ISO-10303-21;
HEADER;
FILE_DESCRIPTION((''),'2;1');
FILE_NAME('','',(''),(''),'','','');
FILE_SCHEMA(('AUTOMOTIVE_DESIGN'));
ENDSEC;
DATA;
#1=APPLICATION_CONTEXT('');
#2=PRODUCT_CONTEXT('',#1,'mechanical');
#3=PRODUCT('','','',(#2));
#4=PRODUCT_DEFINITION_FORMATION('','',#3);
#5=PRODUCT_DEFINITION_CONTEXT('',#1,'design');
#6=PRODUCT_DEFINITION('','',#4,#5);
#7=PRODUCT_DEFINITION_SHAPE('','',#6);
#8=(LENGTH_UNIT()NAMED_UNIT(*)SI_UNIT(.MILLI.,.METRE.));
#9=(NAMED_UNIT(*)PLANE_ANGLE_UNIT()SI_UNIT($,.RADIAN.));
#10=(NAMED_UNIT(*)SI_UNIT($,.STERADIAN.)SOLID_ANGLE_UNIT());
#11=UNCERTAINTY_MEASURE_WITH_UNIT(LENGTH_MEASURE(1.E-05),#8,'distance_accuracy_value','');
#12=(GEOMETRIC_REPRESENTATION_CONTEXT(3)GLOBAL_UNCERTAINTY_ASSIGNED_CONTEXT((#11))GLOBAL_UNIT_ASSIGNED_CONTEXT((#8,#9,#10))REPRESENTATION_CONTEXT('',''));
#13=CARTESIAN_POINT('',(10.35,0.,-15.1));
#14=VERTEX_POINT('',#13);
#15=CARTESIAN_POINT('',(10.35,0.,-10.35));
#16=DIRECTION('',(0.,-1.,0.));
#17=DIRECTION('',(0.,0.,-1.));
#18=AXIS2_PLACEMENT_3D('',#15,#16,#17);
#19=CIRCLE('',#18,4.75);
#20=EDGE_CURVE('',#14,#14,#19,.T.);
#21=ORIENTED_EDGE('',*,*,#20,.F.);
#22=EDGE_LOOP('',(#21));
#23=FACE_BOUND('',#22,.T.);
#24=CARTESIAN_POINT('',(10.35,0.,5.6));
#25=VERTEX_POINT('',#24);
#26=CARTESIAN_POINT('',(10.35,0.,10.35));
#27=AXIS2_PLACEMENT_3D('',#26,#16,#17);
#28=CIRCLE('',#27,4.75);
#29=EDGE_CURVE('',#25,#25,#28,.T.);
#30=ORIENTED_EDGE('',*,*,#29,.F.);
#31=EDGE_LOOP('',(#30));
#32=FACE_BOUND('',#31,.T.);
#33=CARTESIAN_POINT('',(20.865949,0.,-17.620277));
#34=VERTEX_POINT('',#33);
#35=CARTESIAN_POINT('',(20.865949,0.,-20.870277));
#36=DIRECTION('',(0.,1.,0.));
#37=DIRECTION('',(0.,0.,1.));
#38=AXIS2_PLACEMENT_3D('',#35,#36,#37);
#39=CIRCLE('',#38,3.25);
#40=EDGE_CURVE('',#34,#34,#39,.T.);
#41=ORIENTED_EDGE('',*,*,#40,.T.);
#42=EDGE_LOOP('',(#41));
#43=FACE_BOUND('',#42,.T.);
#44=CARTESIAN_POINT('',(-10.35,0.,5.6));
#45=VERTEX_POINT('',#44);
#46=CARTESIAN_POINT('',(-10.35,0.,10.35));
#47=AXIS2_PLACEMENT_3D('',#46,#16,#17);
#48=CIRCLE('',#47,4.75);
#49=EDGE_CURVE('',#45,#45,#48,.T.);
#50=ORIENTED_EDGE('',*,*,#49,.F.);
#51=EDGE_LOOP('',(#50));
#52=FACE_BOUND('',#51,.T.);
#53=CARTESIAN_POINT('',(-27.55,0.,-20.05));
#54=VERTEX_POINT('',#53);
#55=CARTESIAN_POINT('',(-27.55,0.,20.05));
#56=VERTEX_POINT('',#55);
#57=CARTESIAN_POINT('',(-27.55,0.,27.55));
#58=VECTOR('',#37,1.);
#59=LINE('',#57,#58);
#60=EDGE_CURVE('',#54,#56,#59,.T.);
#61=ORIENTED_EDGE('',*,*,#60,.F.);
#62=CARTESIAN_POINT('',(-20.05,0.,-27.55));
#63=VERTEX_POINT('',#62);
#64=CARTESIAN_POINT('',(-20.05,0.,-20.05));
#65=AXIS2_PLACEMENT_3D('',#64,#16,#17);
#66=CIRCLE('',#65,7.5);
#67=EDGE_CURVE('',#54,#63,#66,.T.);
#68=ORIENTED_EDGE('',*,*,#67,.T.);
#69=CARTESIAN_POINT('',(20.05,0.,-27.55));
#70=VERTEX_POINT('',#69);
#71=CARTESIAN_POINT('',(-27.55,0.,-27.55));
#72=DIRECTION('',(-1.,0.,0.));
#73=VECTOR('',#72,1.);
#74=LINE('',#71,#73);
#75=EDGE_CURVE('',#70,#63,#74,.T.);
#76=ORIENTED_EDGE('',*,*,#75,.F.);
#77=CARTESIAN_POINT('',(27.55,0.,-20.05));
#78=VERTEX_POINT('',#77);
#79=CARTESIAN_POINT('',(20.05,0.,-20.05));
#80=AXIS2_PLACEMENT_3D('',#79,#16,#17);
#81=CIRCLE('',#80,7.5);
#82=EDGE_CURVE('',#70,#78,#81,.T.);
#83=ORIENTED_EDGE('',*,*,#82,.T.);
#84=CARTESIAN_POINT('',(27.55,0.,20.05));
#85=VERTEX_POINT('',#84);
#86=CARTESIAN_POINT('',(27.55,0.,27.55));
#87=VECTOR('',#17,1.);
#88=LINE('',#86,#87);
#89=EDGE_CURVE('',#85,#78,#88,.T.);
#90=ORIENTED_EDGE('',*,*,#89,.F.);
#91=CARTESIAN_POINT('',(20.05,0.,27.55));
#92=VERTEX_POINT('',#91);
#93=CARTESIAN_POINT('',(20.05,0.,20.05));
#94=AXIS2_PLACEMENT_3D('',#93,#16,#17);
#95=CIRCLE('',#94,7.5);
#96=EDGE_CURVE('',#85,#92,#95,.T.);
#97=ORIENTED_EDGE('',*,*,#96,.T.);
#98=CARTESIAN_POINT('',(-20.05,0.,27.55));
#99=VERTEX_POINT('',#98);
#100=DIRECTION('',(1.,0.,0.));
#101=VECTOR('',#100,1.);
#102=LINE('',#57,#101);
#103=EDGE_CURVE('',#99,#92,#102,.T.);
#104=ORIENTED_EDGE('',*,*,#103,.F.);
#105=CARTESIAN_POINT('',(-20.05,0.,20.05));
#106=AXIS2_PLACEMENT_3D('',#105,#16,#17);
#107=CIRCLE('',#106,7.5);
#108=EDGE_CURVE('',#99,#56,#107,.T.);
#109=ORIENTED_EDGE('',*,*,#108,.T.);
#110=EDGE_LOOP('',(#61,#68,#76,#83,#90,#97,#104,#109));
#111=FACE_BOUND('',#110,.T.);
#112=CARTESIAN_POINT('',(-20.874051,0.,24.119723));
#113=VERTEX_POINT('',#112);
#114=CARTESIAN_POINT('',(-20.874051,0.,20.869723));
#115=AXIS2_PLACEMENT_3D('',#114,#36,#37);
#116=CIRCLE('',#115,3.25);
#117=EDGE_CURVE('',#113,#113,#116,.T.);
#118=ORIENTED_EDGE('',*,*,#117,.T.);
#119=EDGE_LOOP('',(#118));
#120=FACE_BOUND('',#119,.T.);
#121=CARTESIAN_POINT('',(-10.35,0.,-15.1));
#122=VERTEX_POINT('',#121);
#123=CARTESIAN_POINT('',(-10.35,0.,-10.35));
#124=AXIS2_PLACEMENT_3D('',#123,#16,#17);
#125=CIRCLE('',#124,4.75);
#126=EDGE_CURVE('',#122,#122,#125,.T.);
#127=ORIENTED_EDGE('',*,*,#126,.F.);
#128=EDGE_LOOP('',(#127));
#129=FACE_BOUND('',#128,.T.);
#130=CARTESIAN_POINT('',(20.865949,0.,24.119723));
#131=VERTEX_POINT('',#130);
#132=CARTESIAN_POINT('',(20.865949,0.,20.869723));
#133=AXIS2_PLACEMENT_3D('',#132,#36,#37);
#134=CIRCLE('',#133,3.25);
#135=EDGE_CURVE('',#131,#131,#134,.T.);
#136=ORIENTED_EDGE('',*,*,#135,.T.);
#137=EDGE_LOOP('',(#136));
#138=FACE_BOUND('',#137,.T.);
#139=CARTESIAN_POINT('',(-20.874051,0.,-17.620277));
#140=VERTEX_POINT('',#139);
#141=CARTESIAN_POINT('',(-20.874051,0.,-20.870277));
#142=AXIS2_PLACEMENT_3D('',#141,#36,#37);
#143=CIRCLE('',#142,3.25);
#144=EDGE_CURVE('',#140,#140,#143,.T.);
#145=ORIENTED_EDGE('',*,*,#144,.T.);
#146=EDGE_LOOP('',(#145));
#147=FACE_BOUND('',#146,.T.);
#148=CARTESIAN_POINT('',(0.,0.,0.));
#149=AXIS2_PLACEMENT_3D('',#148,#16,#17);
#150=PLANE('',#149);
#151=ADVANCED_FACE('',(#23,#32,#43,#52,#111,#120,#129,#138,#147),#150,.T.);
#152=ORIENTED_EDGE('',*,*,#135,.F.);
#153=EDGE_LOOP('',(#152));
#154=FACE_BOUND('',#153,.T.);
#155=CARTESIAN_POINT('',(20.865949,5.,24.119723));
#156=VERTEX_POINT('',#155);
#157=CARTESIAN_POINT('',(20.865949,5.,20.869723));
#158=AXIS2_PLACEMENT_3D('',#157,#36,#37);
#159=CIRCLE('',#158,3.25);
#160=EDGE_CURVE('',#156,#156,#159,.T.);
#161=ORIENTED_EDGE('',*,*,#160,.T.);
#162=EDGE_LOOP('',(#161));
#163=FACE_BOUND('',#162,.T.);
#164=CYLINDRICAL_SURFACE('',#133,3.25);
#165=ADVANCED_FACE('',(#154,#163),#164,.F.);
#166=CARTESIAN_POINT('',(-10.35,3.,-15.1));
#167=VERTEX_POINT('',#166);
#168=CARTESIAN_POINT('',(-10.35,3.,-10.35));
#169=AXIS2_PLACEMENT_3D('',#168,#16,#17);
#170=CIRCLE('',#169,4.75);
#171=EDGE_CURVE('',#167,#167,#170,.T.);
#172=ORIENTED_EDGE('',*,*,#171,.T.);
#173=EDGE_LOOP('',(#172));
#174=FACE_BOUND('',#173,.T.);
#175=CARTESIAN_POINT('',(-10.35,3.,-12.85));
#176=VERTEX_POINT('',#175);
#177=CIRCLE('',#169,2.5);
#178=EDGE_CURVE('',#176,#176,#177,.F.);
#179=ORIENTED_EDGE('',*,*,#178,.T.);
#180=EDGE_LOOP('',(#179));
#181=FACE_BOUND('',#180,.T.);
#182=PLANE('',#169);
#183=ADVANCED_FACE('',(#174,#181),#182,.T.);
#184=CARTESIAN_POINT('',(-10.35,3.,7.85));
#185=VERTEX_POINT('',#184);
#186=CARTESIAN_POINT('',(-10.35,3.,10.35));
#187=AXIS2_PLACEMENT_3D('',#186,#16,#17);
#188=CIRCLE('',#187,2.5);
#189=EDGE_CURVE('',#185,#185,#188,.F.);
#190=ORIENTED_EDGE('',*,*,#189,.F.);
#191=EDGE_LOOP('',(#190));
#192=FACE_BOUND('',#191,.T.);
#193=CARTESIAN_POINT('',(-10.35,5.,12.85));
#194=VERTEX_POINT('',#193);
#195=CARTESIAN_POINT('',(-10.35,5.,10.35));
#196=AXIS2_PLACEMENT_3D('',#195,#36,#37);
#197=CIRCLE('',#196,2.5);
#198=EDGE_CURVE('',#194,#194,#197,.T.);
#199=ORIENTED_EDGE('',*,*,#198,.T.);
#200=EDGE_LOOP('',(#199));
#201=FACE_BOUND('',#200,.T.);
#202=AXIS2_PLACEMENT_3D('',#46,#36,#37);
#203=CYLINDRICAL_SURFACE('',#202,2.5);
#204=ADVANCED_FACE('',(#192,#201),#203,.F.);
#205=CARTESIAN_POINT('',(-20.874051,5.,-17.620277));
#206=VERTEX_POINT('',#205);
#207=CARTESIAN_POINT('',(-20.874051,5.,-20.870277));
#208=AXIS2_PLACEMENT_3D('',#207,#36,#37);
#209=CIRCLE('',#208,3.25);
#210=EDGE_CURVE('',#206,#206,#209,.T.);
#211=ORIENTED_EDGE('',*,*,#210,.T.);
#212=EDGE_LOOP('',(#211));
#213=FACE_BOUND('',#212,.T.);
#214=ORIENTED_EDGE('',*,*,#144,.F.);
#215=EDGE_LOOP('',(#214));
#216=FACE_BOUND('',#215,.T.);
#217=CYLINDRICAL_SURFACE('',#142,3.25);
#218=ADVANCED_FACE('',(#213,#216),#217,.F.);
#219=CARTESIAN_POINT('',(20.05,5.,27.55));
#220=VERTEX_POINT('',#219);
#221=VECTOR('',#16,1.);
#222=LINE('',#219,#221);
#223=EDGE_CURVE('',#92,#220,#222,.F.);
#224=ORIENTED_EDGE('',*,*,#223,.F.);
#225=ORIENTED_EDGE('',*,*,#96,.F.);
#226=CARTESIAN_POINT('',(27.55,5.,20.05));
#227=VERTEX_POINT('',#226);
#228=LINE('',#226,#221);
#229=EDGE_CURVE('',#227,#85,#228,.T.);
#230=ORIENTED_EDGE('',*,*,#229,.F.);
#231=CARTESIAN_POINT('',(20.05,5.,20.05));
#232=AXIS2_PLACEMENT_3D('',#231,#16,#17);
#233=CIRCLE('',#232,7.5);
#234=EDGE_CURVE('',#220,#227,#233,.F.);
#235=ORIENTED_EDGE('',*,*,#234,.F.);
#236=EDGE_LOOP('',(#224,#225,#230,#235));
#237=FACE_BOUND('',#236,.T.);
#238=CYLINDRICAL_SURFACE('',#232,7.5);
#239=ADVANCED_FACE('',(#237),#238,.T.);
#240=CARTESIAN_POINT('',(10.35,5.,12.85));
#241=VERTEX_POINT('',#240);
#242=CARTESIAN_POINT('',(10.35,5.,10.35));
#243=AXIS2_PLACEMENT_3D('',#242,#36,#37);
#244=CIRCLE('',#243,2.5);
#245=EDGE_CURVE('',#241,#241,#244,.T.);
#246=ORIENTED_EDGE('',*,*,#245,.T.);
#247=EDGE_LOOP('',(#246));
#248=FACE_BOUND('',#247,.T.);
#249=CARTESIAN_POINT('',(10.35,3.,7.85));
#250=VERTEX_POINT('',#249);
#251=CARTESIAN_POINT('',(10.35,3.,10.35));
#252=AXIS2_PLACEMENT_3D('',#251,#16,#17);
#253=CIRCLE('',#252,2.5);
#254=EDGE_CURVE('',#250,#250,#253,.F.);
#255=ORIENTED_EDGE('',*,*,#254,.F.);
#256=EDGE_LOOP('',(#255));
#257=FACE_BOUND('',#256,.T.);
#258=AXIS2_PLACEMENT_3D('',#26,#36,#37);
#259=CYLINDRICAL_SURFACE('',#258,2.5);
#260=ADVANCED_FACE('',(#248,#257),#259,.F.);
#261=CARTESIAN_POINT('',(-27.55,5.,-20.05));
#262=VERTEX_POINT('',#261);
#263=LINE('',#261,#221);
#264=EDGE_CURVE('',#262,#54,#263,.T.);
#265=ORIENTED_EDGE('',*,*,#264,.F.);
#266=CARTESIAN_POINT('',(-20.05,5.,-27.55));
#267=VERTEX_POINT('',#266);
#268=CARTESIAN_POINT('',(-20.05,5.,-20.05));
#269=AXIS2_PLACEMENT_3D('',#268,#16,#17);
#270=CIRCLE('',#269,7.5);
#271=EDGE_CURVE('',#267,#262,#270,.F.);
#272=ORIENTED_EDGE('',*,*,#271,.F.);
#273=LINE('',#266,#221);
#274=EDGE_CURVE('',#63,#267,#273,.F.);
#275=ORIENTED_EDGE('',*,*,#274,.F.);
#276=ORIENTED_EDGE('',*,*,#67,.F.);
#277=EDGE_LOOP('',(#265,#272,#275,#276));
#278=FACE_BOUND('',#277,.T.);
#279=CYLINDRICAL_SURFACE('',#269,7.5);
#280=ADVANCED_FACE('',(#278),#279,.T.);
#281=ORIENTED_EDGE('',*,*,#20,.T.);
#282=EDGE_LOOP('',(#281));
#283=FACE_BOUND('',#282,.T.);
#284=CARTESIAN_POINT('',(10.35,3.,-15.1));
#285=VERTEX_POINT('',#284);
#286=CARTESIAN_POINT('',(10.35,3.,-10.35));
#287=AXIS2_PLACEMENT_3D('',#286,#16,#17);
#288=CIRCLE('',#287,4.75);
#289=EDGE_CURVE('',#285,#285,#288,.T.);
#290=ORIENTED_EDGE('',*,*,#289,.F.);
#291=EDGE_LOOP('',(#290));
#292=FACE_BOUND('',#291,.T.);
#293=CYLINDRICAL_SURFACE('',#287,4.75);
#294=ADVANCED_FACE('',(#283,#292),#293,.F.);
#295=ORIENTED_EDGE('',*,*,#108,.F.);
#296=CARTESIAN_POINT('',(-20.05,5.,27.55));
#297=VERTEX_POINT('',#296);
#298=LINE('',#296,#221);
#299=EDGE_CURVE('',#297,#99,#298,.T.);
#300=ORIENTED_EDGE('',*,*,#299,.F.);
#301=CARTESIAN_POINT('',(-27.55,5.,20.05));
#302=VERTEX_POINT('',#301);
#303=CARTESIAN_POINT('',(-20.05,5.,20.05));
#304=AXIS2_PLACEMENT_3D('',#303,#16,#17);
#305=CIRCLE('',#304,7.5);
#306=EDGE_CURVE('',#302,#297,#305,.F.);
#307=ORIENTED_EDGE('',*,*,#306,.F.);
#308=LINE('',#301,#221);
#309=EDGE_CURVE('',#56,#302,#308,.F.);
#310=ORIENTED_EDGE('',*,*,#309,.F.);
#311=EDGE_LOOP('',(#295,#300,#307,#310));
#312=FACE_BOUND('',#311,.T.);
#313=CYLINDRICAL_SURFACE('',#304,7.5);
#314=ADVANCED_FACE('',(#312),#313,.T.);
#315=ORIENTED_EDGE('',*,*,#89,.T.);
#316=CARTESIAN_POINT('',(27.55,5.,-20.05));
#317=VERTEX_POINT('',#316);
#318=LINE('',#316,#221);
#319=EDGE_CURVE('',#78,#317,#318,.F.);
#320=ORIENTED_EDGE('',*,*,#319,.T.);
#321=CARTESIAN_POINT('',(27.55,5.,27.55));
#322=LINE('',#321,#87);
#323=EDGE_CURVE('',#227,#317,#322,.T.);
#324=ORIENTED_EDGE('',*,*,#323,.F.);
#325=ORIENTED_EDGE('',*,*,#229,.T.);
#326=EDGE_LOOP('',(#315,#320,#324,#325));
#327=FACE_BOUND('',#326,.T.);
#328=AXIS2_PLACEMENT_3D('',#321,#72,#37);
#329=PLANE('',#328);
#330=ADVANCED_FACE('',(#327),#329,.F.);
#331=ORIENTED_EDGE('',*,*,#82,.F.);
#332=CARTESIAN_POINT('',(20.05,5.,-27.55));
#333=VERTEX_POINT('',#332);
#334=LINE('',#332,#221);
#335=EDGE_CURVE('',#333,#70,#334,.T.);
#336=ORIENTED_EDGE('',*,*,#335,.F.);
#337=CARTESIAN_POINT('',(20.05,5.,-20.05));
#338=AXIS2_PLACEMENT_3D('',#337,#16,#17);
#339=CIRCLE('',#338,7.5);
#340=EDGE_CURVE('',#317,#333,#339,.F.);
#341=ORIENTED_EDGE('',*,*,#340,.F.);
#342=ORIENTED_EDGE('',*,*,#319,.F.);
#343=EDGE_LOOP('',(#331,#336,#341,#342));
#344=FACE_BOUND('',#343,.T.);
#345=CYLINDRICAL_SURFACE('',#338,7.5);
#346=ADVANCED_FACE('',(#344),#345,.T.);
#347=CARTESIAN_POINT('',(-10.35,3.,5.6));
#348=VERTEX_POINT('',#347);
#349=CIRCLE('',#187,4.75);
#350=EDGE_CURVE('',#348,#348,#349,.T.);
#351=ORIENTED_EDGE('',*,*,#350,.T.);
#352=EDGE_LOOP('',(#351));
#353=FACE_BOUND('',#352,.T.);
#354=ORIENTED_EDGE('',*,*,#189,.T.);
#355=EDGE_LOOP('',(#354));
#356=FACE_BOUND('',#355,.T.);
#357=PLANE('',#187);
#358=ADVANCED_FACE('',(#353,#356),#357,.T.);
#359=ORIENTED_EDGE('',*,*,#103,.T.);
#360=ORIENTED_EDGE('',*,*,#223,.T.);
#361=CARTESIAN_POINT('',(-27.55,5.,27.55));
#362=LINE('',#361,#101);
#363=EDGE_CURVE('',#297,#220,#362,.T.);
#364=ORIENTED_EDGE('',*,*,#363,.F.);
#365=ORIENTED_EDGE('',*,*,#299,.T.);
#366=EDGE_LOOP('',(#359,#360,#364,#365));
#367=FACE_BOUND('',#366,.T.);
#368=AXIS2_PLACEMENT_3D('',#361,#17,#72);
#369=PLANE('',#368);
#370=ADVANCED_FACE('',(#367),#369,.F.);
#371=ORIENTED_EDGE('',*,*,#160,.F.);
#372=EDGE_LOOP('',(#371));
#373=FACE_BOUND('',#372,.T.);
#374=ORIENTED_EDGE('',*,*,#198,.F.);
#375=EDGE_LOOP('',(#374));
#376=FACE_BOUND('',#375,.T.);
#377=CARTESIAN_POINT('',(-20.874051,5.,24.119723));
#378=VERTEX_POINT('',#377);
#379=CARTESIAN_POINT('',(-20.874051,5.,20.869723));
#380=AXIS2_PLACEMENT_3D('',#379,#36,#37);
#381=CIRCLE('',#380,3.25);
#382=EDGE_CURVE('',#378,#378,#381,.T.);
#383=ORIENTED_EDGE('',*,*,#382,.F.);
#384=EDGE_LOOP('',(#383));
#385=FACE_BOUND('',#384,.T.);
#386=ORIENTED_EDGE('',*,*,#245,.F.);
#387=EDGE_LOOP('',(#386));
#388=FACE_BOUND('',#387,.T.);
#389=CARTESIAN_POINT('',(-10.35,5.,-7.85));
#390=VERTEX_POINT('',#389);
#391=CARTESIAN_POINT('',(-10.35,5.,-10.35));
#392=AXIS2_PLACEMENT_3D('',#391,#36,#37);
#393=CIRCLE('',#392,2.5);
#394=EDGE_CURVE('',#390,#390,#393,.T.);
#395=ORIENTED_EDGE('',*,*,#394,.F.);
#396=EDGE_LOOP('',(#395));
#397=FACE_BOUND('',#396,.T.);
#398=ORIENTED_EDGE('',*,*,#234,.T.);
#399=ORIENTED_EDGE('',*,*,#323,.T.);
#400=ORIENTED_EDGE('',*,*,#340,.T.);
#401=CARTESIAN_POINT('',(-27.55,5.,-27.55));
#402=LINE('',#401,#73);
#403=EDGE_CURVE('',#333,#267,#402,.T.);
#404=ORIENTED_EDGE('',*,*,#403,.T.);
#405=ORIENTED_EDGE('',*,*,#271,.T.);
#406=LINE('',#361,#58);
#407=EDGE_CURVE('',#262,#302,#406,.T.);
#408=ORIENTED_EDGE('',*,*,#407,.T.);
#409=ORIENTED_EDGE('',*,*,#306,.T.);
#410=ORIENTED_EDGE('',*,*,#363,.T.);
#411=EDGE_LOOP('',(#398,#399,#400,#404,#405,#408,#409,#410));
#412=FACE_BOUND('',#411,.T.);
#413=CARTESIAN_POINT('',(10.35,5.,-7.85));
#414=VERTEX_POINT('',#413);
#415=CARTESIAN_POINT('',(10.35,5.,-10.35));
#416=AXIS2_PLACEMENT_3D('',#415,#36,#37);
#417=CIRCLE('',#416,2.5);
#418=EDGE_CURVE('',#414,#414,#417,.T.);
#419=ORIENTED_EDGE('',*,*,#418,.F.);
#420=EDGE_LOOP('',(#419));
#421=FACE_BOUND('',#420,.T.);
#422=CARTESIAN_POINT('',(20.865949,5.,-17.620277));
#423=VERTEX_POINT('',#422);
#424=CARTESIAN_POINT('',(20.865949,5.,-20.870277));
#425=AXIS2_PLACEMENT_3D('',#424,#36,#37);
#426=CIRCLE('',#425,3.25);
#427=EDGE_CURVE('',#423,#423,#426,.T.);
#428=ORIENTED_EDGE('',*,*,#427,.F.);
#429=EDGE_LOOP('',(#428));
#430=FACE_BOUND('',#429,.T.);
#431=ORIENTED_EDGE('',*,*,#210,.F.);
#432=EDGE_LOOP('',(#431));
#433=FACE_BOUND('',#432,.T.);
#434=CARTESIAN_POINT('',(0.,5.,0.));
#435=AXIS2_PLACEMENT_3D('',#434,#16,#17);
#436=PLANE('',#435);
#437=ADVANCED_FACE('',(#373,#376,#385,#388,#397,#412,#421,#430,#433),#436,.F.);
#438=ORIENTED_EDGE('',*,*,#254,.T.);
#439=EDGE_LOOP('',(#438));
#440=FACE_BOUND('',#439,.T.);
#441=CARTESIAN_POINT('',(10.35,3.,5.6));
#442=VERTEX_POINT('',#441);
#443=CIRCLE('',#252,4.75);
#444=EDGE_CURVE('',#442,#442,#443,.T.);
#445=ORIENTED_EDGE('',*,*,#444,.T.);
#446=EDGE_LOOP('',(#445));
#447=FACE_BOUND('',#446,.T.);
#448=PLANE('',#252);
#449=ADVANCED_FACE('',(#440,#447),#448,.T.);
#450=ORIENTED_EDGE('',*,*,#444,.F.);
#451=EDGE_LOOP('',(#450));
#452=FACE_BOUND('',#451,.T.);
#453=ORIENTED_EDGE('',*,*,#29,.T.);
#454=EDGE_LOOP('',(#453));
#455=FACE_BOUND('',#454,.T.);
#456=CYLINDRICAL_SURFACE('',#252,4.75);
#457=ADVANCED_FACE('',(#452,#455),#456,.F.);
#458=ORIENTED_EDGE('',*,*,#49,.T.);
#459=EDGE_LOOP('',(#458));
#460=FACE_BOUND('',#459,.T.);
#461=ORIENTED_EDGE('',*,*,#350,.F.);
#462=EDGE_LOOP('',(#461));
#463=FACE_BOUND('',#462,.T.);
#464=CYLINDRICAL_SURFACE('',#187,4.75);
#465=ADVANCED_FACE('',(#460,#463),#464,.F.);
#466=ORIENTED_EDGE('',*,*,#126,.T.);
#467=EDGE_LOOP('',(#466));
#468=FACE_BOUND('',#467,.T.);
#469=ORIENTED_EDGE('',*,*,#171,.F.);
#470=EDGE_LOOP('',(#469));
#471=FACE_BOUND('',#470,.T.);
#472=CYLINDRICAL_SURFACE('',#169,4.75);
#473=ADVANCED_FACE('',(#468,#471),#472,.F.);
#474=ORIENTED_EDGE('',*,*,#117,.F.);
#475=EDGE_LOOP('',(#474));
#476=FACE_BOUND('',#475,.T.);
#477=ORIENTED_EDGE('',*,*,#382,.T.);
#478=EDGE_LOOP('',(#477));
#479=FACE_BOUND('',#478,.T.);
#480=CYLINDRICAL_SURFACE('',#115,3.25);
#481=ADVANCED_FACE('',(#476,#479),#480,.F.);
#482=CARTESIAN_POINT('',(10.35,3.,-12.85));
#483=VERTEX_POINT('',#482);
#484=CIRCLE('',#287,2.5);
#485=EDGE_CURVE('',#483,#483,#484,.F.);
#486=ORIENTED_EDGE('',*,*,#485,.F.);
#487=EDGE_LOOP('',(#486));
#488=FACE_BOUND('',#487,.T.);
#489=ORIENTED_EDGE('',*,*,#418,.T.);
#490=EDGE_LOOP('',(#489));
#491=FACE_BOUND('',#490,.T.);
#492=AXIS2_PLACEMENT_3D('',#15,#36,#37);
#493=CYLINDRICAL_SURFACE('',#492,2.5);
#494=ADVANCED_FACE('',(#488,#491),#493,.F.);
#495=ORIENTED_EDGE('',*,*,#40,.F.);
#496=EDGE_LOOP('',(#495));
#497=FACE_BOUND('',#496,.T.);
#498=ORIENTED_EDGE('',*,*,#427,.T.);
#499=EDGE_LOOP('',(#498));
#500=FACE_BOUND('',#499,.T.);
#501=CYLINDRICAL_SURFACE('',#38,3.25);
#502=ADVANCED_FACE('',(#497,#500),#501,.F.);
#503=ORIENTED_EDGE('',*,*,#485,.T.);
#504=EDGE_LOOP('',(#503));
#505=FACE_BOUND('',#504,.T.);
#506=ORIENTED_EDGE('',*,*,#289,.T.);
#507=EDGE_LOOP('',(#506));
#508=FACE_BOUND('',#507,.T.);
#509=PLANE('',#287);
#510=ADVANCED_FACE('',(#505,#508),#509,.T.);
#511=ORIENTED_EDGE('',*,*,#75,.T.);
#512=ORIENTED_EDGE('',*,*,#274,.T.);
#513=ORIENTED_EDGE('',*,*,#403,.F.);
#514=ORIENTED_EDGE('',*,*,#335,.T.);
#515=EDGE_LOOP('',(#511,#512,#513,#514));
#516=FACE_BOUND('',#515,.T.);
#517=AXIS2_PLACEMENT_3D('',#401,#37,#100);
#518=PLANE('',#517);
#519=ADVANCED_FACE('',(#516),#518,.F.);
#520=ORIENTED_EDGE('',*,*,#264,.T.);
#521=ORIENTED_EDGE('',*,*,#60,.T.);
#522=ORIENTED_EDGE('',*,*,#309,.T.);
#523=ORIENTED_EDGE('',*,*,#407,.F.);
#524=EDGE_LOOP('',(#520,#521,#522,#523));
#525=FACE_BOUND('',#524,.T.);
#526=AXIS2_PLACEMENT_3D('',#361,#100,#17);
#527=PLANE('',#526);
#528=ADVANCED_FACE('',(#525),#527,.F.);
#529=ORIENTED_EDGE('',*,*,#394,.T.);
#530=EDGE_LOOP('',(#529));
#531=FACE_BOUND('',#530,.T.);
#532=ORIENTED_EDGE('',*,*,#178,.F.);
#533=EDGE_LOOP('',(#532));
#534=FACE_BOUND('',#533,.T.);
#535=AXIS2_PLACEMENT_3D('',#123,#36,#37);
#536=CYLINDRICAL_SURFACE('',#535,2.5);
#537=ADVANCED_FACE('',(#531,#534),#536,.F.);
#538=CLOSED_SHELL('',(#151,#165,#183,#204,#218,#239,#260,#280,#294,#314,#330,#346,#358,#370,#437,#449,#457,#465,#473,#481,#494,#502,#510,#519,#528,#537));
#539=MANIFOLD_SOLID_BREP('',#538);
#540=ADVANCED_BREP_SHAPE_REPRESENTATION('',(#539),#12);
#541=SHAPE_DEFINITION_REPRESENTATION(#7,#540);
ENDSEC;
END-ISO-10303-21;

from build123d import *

# Parameters (mm, degrees)
SKETCH1_W           = 55.1
SKETCH1_H           = 55.1
BOSS_EXTRUDE1_DEPTH = 5
FILLET1_R           = 7.5
SKETCH2_R           = 3.25
CUT_EXTRUDE1_DEPTH  = 6
SKETCH3_R           = 2.5
CUT_EXTRUDE2_DEPTH  = 5
SKETCH4_R           = 4.75
CUT_EXTRUDE3_DEPTH  = 3


with BuildPart() as part:
    # Sketch1 → Boss-Extrude1 (new body)
    with BuildSketch(Plane(origin=(0, 0, 0), x_dir=(1, 0, 0), z_dir=(0, 1, 0))):
        Rectangle(SKETCH1_W, SKETCH1_H)
    extrude(amount=BOSS_EXTRUDE1_DEPTH)

    # Fillet1
    fillet1_edges = [part.edges().sort_by_distance(p)[0] for p in [
        (27.55, 2.5, 27.55),
        (-27.55, 2.5, 27.55),
        (-27.55, 2.5, -27.55),
        (27.55, 2.5, -27.55),
    ]]
    fillet(fillet1_edges, radius=FILLET1_R)

    # Sketch2 → Cut-Extrude1 (cut, through all)
    with BuildSketch(Plane(origin=(0, 5, 0), x_dir=(1, 0, 0), z_dir=(0, 1, 0))):
        with Locations((-20.874050615, 20.870277104)):
            Circle(SKETCH2_R)
        with Locations((-20.874050615, -20.869722896)):
            Circle(SKETCH2_R)
        with Locations((20.865949385, 20.870277104)):
            Circle(SKETCH2_R)
        with Locations((20.865949385, -20.869722896)):
            Circle(SKETCH2_R)
    extrude(amount=-CUT_EXTRUDE1_DEPTH, mode=Mode.SUBTRACT)

    # Sketch3 → Cut-Extrude2 (cut)
    with BuildSketch(Plane(origin=(0, 5, 0), x_dir=(1, 0, 0), z_dir=(0, 1, 0))):
        with Locations((-10.35, 10.35)):
            Circle(SKETCH3_R)
        with Locations((10.35, 10.35)):
            Circle(SKETCH3_R)
        with Locations((-10.35, -10.35)):
            Circle(SKETCH3_R)
        with Locations((10.35, -10.35)):
            Circle(SKETCH3_R)
    extrude(amount=-CUT_EXTRUDE2_DEPTH, mode=Mode.SUBTRACT)

    # Sketch4 → Cut-Extrude3 (cut)
    with BuildSketch(Plane.XZ):
        with Locations((-10.35, 10.35)):
            Circle(SKETCH4_R)
        with Locations((10.35, 10.35)):
            Circle(SKETCH4_R)
        with Locations((10.35, -10.35)):
            Circle(SKETCH4_R)
        with Locations((-10.35, -10.35)):
            Circle(SKETCH4_R)
    extrude(amount=-CUT_EXTRUDE3_DEPTH, mode=Mode.SUBTRACT)


solid = part.part
